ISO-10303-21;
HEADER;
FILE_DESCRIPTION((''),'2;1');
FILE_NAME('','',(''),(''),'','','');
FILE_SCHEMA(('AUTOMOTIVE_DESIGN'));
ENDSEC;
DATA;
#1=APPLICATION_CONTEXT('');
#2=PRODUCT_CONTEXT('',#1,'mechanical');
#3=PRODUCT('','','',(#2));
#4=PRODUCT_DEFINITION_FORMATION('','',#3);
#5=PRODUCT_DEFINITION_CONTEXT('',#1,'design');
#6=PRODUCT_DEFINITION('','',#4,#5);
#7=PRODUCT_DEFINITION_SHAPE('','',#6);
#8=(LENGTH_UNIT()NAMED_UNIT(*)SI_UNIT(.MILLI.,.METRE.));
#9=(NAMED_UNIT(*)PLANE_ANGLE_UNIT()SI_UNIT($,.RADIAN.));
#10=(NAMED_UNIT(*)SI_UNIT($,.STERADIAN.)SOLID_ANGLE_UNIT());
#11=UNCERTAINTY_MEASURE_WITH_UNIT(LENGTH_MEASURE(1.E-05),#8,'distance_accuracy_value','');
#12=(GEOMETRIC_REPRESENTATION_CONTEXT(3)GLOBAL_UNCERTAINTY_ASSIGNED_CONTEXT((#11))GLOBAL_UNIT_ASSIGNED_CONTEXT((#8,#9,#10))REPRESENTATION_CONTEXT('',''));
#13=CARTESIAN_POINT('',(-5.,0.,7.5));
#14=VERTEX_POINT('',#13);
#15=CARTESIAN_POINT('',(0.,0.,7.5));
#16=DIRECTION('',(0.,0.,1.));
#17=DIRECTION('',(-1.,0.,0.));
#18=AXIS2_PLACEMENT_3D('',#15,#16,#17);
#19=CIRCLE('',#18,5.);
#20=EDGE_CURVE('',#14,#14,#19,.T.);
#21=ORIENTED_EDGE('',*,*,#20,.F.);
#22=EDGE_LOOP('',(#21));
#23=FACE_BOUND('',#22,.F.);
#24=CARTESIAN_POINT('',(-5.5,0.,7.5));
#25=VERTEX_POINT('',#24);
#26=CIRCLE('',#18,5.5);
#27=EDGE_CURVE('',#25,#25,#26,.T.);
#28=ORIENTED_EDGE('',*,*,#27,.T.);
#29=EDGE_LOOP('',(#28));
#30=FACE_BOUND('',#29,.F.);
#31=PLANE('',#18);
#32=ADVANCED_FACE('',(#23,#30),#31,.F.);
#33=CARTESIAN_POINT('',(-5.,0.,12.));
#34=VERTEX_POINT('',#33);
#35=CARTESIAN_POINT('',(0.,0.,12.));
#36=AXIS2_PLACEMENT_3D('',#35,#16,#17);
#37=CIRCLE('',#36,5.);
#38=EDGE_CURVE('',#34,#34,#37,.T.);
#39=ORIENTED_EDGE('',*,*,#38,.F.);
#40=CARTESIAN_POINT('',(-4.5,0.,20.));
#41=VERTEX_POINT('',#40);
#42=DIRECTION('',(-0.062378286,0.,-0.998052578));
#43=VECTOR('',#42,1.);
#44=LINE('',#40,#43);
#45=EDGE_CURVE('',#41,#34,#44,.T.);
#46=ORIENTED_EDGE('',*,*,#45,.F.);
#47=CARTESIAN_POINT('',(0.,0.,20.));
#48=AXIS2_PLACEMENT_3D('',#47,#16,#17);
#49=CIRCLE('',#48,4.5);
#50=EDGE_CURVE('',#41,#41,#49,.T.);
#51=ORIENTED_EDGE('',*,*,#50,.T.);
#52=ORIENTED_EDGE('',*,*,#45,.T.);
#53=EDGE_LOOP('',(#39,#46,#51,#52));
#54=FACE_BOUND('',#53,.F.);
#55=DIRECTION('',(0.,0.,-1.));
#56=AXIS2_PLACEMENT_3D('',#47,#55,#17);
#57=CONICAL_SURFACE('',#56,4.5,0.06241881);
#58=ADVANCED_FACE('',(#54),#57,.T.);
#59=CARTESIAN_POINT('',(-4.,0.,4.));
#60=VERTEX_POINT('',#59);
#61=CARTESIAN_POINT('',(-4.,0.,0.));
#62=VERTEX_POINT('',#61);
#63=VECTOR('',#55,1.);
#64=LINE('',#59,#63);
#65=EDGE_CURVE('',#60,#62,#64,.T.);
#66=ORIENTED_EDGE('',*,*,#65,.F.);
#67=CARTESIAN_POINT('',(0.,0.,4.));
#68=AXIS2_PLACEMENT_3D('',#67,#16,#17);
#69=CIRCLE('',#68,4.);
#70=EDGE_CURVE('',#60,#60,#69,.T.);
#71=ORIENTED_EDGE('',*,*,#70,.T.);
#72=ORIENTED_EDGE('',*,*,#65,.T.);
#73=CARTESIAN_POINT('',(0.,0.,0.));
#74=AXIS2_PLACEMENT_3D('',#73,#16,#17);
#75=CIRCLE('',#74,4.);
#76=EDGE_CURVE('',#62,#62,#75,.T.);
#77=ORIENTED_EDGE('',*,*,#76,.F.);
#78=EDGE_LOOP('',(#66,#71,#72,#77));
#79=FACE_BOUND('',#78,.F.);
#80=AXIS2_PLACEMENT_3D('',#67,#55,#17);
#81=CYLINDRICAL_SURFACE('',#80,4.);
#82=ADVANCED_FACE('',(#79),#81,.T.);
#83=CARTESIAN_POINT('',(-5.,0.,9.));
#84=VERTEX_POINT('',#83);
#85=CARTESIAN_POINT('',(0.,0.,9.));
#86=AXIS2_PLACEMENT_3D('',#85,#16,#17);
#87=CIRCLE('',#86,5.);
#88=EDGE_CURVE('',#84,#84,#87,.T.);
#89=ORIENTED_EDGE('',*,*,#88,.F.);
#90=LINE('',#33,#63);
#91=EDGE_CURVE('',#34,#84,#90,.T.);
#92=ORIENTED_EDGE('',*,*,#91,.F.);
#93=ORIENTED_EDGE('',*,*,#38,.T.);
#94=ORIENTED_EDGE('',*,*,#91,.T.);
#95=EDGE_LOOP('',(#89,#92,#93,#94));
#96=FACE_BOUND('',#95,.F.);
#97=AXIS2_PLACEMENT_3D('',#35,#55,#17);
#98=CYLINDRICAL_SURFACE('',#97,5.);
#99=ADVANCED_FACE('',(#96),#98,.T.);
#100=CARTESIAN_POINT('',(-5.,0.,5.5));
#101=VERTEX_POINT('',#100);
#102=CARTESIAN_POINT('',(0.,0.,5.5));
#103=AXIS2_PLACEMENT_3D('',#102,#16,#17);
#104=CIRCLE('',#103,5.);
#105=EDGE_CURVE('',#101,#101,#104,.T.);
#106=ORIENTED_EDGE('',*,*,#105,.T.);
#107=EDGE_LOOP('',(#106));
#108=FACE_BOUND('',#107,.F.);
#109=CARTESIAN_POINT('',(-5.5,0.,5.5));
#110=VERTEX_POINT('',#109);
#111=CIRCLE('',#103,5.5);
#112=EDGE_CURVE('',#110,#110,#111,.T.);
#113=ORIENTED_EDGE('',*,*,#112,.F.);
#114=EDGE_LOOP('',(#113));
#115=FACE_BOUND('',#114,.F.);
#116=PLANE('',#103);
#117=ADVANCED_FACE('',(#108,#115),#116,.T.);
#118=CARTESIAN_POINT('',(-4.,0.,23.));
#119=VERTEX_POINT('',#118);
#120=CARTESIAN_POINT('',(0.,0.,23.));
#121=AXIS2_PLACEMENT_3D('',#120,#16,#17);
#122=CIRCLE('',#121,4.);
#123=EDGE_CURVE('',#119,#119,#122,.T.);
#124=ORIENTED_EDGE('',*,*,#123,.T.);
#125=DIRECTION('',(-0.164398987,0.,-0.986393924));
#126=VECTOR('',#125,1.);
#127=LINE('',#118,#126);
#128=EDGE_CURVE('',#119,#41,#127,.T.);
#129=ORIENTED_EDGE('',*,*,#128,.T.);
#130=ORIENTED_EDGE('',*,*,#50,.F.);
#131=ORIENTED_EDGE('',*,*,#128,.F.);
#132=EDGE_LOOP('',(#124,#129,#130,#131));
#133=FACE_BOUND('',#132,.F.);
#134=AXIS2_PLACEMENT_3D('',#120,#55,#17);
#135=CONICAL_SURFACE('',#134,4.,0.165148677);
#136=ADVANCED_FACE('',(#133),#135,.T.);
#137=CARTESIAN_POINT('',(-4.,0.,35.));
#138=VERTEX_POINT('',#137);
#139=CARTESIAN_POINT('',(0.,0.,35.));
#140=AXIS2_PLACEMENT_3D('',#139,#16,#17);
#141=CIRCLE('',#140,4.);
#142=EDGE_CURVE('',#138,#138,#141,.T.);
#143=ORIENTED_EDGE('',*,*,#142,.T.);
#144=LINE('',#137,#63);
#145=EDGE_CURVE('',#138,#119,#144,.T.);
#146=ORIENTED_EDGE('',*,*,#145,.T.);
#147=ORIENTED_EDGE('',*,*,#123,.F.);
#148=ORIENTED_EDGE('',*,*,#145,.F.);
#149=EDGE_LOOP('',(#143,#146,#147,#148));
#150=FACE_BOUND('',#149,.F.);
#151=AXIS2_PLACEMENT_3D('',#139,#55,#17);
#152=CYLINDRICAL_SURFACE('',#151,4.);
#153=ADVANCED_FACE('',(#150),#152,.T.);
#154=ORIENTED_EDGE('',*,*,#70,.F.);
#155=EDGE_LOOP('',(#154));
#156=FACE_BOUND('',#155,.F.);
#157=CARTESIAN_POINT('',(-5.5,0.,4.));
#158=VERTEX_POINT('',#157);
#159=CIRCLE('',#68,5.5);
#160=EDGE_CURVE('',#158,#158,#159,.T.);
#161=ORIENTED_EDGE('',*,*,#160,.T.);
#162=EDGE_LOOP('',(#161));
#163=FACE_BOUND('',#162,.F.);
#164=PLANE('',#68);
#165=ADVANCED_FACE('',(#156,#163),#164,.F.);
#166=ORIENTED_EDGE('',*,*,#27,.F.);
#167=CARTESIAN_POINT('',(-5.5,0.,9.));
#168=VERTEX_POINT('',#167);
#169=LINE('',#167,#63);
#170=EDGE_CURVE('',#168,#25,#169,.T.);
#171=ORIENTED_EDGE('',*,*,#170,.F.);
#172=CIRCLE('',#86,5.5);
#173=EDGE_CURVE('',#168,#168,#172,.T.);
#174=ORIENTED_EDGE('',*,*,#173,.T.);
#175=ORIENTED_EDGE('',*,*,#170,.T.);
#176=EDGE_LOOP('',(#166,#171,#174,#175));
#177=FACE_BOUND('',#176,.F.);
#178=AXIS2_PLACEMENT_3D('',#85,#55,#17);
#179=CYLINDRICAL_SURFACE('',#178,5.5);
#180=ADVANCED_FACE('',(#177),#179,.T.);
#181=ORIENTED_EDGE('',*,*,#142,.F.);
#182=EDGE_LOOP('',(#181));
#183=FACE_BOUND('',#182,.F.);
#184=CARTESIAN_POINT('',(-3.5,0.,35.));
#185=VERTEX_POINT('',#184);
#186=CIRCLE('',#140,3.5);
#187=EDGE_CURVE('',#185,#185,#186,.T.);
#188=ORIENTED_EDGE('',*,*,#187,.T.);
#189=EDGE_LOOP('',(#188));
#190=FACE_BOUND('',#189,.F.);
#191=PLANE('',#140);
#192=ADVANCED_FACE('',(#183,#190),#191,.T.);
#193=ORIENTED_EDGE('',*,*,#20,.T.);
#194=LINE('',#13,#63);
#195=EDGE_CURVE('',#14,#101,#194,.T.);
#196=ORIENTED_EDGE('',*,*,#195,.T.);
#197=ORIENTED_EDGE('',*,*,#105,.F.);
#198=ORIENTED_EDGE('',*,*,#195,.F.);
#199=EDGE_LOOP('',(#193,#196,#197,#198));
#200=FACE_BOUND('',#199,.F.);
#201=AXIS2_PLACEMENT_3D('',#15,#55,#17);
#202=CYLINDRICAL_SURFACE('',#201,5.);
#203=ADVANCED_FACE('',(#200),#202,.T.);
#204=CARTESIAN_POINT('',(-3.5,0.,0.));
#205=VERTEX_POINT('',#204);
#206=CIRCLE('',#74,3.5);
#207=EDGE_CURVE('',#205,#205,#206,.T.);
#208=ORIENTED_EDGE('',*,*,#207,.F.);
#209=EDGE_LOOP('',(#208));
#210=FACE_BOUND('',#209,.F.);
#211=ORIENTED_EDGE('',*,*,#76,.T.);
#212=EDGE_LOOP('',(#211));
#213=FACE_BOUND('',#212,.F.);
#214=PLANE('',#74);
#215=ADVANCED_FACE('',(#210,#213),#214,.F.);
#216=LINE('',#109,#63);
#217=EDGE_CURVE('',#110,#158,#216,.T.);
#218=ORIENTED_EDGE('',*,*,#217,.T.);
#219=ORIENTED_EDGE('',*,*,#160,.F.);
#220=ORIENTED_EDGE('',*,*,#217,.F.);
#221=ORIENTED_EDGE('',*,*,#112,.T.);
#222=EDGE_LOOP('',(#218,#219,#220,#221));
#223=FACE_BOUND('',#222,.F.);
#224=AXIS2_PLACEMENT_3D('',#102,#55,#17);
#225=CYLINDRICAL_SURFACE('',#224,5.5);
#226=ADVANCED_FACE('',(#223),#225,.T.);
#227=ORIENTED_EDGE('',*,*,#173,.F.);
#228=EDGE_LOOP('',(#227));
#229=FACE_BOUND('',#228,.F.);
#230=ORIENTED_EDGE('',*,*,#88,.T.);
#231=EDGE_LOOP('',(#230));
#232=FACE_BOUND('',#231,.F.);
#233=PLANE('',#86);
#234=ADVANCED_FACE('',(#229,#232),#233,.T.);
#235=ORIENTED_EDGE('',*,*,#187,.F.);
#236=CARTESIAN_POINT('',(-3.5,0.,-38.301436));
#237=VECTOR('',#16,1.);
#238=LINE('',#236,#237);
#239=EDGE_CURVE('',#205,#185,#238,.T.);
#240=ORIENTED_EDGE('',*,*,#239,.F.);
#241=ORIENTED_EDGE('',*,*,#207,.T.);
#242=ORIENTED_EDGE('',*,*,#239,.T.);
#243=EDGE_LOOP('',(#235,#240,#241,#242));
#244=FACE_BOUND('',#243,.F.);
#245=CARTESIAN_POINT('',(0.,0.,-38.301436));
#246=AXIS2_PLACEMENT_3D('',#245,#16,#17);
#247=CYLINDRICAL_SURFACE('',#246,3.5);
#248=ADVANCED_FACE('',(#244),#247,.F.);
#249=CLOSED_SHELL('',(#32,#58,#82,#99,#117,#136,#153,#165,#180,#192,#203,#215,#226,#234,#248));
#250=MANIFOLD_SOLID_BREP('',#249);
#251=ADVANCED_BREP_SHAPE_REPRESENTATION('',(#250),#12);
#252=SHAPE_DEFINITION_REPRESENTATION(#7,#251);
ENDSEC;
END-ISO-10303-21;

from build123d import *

# Parameters (mm, degrees)
F3_D = 7


with BuildPart() as f1:
    # F0 (on Front) → F1 (revolve)
    with BuildSketch(Plane.XZ):
        Polygon((-4, 0), (0, 0), (0, 35), (-4, 35), (-4, 23), (-4.5, 20), (-5, 12), (-5, 9), (-5.5, 9), (-5.5, 7.5), (-5, 7.5), (-5, 5.5), (-5.5, 5.5), (-5.5, 4), (-4, 4), align=None)
    revolve(axis=Axis((0, 0, 17.5), (0, 0, 1)))

    # F3 (through all)
    with Locations(Plane(origin=(0, 0, 0), x_dir=(1, 0, 0), z_dir=(0, 0, -1))):
        with Locations((0, 0)):
            Hole(F3_D / 2)


solid = f1.part
